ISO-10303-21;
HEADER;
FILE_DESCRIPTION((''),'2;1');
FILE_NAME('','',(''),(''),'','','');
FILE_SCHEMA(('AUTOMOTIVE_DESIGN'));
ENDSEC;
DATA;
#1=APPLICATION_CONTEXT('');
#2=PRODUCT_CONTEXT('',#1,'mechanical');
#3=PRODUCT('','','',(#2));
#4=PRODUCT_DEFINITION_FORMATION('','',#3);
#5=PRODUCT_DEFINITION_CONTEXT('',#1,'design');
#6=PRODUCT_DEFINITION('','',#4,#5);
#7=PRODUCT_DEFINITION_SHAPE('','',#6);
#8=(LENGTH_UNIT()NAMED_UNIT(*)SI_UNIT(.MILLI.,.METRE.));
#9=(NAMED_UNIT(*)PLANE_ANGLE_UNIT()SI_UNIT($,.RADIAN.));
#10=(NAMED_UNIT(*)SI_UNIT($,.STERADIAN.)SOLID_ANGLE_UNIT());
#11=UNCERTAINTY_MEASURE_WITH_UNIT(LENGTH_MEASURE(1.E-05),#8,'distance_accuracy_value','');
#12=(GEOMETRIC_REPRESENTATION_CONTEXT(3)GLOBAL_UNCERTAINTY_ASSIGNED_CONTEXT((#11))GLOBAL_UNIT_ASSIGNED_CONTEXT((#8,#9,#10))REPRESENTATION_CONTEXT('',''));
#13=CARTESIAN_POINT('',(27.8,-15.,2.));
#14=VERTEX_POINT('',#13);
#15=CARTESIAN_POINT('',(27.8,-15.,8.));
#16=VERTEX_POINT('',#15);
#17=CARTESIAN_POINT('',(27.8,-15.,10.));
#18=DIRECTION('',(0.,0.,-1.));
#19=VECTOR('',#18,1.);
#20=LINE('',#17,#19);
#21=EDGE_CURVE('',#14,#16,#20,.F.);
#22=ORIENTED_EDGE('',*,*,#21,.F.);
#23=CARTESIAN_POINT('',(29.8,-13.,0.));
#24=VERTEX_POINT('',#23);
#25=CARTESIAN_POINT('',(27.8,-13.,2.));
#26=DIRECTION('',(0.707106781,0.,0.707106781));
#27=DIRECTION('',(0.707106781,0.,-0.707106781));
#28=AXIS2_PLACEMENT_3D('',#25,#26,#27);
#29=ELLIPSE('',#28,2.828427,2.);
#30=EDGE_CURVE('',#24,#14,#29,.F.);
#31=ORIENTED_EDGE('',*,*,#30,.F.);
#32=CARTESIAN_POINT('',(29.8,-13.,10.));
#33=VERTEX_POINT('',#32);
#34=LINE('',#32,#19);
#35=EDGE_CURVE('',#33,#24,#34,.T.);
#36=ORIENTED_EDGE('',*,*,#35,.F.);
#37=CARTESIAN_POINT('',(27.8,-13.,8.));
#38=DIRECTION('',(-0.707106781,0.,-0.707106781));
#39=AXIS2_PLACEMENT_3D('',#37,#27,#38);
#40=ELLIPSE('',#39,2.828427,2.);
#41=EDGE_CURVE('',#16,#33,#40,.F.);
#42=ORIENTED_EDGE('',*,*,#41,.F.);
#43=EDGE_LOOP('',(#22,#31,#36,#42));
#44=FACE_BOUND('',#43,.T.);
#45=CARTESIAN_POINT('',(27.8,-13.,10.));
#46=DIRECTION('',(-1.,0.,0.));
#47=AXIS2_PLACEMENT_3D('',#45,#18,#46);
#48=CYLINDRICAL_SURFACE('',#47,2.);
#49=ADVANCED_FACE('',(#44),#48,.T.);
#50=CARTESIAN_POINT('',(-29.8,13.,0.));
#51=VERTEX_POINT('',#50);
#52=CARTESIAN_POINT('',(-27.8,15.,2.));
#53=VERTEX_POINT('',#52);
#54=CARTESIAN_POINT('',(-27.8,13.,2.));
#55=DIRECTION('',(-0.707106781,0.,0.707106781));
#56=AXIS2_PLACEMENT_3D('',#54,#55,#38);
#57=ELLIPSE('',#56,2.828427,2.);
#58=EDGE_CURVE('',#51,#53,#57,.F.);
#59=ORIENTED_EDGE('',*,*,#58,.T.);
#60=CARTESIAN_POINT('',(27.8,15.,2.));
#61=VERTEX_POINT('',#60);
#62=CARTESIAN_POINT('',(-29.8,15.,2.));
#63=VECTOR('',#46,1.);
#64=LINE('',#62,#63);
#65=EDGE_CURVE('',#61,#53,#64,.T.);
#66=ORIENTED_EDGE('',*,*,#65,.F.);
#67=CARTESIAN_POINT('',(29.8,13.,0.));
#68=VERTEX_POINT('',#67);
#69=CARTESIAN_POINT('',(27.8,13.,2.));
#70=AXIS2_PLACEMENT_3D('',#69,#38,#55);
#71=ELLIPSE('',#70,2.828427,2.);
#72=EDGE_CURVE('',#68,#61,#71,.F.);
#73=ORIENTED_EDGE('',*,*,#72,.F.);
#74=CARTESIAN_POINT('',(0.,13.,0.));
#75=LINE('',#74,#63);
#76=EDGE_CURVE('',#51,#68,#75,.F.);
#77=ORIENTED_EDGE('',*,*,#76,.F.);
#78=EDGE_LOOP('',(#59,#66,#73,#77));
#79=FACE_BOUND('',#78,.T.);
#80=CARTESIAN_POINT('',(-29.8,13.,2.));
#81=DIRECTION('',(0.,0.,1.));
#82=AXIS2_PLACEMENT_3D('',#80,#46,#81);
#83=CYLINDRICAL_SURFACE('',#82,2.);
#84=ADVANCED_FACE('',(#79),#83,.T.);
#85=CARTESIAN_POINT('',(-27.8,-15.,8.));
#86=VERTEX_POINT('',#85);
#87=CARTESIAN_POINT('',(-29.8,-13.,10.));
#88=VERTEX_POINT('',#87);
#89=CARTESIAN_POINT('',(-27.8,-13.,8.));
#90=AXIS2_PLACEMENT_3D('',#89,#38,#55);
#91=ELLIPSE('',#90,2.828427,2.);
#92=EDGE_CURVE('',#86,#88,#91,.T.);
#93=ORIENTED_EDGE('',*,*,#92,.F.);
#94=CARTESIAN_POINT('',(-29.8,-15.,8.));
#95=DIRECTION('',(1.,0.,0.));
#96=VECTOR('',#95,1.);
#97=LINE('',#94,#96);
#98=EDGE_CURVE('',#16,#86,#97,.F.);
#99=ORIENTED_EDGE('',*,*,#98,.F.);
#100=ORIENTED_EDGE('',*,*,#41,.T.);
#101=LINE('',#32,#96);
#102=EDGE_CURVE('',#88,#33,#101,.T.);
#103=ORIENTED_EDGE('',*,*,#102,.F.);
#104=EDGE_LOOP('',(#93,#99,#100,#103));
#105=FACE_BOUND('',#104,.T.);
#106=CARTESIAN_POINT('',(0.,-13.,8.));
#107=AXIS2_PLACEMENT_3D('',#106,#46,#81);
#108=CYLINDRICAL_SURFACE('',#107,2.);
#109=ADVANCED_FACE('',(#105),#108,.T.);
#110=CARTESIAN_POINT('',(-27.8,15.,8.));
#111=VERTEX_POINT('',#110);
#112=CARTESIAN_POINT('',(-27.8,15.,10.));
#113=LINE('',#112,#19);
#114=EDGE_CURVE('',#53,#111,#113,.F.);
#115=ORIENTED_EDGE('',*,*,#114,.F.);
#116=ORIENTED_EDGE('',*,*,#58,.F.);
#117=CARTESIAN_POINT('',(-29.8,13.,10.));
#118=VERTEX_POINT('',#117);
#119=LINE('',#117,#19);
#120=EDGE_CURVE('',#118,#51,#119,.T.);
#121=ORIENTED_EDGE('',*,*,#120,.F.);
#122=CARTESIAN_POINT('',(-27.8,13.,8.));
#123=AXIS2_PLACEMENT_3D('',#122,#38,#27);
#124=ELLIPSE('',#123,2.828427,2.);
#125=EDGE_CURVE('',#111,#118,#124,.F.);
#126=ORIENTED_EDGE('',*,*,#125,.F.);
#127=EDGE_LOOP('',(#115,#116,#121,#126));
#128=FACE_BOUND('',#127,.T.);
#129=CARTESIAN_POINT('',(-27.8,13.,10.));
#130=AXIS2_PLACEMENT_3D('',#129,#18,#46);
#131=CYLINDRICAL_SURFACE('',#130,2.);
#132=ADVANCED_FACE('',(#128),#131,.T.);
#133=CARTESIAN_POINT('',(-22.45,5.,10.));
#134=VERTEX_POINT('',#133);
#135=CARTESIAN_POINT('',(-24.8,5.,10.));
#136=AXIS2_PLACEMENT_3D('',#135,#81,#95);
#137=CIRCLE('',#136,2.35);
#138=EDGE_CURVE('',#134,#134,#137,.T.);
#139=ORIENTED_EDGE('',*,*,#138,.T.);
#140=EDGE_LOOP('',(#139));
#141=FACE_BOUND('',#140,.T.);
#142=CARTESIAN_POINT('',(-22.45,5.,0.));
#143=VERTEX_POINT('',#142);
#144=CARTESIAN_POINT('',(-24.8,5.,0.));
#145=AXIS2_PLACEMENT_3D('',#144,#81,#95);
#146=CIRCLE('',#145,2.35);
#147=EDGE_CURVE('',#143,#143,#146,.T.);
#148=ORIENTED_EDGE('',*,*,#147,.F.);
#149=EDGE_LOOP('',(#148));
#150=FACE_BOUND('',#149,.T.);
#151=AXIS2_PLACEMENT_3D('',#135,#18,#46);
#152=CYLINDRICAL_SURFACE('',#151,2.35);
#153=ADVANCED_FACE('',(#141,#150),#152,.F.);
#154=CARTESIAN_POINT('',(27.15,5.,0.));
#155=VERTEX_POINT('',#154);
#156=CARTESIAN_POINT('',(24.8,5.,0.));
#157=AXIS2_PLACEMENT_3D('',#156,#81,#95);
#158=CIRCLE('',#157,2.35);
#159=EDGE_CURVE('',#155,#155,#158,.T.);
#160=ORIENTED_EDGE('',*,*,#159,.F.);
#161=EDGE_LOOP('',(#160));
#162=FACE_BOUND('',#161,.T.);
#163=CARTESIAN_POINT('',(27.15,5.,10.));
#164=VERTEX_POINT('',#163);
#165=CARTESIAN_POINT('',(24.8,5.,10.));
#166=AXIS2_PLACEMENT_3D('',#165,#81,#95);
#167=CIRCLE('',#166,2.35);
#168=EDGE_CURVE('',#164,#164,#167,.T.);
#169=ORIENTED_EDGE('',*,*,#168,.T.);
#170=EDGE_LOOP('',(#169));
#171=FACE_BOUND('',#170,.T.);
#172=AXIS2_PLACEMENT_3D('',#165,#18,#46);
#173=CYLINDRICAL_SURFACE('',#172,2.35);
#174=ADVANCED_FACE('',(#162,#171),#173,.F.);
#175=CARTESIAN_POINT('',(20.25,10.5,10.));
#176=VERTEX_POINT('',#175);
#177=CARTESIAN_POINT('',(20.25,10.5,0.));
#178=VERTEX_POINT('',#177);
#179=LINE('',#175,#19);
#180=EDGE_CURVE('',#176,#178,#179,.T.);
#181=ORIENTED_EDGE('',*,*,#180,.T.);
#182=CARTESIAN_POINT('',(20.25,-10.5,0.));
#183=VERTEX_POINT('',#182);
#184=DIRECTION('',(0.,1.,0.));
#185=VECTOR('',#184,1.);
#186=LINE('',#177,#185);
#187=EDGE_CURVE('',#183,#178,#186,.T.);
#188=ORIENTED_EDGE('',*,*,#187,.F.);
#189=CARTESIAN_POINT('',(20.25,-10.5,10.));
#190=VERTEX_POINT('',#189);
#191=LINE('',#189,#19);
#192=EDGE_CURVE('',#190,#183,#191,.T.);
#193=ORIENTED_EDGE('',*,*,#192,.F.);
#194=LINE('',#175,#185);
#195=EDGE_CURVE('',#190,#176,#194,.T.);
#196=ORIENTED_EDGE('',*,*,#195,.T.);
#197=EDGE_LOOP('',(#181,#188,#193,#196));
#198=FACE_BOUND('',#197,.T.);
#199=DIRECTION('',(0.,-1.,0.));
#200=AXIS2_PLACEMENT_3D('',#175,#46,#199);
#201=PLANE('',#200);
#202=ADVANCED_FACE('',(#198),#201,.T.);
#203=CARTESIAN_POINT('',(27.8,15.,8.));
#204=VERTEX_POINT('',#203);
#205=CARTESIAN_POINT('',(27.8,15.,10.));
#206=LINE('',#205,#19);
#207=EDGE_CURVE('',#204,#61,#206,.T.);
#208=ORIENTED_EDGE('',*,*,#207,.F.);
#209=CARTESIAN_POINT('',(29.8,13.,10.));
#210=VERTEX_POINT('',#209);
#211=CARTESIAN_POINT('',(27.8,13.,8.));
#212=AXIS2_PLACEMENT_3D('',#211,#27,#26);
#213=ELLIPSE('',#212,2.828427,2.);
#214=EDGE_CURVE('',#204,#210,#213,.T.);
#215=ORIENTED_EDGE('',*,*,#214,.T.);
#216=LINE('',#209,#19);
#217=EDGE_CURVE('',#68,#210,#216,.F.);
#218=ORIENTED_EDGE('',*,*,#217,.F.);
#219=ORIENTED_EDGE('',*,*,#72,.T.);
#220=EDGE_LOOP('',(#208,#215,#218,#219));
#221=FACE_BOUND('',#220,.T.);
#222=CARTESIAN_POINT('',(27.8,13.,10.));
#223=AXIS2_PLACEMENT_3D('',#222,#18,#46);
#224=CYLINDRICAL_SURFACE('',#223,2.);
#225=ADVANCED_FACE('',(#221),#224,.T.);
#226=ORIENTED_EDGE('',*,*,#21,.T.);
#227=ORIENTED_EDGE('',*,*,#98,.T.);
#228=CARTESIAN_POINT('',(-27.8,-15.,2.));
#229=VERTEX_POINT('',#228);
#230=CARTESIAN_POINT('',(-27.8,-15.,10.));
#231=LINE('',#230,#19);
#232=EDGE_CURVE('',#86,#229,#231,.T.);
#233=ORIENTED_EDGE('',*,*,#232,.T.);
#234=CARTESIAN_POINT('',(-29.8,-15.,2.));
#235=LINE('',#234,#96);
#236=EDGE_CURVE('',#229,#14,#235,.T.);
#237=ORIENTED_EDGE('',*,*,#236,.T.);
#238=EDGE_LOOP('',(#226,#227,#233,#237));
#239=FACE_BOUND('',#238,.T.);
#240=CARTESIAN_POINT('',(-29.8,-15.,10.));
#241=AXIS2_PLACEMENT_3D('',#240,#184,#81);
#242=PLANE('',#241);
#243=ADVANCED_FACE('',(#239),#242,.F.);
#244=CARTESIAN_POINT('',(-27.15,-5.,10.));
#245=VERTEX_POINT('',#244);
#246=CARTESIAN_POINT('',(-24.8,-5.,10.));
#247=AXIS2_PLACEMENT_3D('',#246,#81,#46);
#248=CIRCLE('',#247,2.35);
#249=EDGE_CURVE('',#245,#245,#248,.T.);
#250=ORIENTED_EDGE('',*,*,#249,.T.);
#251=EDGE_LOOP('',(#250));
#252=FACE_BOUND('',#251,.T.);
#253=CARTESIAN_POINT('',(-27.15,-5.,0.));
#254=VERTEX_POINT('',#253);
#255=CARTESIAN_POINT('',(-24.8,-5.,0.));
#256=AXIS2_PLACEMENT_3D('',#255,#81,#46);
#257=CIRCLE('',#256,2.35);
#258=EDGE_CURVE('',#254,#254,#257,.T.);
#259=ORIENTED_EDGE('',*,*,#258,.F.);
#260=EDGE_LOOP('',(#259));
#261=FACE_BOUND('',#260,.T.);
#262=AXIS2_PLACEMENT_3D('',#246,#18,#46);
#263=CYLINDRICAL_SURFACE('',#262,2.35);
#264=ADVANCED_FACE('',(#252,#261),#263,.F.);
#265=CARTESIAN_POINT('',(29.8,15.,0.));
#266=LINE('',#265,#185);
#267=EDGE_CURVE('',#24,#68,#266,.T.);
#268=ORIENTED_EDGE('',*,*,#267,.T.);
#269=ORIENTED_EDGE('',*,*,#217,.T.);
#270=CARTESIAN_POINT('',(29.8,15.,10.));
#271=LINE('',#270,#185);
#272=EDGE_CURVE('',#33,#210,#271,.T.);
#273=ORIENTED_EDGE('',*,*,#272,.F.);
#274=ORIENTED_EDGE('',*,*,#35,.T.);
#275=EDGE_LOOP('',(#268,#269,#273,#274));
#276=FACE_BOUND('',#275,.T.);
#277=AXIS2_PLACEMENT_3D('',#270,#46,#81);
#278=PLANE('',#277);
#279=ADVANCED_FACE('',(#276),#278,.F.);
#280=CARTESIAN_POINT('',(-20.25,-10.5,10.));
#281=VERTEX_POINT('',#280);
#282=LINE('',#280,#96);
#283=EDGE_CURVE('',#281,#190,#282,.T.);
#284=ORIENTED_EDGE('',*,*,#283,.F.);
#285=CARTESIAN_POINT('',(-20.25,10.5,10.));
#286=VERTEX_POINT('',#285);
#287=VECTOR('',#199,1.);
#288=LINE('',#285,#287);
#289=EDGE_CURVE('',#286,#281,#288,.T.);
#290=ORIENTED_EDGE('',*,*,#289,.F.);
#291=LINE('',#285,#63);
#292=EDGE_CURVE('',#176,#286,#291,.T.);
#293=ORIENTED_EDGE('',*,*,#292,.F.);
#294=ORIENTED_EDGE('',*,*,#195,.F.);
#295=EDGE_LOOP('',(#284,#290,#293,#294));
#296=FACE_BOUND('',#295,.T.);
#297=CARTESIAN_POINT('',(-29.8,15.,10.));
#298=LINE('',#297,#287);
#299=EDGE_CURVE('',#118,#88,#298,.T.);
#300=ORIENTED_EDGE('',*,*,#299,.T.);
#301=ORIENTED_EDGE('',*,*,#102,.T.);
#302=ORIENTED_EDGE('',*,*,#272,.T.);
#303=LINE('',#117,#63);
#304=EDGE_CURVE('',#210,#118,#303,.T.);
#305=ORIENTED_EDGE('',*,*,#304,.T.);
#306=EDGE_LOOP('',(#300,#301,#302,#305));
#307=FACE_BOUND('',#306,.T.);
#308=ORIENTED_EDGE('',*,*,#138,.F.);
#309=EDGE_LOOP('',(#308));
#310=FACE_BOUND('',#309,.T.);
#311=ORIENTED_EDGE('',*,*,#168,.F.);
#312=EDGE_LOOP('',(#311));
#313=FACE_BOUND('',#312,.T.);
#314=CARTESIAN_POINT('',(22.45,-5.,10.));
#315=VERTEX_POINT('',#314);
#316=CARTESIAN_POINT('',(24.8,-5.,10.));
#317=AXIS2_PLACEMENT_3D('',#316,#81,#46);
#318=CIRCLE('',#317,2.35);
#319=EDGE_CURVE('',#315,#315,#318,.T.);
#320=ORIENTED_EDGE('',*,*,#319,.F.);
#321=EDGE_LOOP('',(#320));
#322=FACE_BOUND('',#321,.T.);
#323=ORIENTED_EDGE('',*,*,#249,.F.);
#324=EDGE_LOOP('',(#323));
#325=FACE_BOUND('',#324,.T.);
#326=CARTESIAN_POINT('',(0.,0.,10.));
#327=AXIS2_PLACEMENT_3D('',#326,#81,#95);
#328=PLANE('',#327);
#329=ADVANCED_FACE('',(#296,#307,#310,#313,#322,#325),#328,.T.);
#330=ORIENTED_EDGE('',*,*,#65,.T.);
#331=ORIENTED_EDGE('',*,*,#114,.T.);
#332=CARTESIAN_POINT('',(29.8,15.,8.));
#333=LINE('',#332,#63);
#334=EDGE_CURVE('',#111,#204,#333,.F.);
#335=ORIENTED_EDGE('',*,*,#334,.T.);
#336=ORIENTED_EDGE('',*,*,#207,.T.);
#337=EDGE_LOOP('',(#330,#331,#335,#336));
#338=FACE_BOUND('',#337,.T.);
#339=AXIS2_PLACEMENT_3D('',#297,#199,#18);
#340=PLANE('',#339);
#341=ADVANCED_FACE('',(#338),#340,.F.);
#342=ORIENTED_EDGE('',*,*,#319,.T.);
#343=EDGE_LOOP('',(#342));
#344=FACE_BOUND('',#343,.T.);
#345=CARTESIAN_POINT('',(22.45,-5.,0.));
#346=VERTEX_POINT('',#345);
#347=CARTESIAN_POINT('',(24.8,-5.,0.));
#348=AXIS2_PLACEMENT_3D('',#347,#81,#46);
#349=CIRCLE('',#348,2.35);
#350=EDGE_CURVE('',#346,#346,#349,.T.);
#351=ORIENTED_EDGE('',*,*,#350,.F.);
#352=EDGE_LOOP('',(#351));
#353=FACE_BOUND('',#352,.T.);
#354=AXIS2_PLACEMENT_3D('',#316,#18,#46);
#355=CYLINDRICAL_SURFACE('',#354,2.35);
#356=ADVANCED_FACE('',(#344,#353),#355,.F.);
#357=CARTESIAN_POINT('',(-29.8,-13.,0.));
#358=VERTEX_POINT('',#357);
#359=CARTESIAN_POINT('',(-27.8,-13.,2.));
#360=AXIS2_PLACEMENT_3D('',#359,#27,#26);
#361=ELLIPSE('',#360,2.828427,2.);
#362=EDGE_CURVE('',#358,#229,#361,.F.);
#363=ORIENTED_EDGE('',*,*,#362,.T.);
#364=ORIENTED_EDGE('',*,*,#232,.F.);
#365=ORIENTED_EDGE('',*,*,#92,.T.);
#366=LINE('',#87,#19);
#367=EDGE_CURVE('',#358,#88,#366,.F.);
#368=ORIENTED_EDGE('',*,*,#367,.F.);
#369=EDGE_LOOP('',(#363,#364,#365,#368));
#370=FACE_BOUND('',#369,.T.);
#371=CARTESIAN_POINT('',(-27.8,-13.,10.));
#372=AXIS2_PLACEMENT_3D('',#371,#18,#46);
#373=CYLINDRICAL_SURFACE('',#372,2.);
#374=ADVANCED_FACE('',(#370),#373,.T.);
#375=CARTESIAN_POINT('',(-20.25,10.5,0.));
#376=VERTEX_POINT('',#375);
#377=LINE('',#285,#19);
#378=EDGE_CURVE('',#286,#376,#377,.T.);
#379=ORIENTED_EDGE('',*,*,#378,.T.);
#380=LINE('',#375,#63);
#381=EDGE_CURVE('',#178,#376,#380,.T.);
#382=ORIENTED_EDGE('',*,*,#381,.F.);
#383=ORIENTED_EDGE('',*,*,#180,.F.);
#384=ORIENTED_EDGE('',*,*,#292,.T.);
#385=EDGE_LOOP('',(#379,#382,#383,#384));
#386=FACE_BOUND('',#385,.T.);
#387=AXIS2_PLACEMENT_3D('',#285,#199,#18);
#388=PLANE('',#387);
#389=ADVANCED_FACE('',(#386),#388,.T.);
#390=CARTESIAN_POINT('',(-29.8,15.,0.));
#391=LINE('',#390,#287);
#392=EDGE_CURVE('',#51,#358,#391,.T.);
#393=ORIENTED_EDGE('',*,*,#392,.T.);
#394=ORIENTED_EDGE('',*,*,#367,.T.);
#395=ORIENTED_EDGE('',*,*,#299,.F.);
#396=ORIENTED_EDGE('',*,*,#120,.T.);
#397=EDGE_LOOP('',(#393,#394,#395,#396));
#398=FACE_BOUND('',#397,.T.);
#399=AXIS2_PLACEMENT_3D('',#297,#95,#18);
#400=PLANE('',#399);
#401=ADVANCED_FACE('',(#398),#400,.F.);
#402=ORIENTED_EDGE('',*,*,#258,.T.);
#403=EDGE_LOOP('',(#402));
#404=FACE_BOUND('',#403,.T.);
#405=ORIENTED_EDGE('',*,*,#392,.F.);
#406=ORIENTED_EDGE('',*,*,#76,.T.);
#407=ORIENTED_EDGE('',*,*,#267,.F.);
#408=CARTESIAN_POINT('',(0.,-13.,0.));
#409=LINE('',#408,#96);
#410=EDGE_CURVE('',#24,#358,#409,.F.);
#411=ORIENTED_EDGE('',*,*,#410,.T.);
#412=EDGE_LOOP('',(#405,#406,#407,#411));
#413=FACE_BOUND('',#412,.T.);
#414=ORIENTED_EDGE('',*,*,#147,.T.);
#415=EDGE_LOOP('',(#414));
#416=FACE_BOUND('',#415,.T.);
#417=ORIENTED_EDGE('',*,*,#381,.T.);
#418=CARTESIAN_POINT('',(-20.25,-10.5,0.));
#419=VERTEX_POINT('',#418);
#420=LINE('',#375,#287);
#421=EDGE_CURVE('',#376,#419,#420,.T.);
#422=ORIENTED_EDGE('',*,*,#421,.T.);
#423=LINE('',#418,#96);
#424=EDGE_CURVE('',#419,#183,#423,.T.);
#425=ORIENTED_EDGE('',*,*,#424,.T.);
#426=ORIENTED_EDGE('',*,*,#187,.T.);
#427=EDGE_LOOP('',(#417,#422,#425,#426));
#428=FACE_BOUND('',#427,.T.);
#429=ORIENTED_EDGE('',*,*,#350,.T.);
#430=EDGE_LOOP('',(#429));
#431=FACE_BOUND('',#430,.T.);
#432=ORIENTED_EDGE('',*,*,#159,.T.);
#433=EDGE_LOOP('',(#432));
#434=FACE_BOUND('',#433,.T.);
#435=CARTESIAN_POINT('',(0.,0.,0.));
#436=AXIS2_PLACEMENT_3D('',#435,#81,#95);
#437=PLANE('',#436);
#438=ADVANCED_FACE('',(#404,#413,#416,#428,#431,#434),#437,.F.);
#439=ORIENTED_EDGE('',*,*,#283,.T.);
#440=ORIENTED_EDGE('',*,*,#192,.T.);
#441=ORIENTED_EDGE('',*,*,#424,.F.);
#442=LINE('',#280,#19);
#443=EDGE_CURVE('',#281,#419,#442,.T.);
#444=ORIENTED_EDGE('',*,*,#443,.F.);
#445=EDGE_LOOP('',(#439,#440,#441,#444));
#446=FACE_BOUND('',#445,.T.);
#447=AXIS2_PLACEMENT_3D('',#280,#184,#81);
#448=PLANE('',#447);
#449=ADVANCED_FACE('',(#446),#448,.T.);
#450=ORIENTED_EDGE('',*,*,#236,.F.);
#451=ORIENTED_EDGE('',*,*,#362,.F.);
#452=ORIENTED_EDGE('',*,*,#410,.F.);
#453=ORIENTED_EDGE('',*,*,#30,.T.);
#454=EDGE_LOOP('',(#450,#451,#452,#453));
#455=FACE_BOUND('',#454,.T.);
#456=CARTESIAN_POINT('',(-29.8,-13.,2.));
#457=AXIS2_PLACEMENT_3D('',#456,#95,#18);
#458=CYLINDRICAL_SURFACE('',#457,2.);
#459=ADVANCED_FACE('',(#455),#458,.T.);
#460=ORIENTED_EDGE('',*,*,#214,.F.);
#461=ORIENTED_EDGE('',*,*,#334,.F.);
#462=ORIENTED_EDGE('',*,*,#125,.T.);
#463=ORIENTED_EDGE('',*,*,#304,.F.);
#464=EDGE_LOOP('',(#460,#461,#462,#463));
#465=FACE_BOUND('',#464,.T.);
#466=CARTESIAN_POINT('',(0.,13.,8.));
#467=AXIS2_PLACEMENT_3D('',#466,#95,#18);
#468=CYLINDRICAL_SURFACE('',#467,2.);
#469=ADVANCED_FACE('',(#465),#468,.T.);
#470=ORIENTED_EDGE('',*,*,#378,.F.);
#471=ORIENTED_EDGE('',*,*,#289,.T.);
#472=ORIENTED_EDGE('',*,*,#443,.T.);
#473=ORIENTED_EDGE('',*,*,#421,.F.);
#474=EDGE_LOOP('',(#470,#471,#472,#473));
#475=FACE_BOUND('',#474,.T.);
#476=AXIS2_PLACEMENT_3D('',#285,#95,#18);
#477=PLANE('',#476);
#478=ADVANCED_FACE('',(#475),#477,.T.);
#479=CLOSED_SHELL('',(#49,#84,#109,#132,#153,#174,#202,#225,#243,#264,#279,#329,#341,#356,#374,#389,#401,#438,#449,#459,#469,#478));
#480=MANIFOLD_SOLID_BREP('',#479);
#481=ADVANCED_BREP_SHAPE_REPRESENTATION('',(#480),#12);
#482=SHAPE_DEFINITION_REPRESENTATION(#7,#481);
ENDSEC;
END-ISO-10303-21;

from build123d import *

# Parameters (mm, degrees)
SKETCH1_W           = 59.6
SKETCH1_H           = 30
SKETCH1_R           = 2.35
SKETCH1_W_2         = 40.5
SKETCH1_H_2         = 21
BOSS_EXTRUDE1_DEPTH = 10
FILLET1_R           = 2


with BuildPart() as part:
    # Sketch1 → Boss-Extrude1 (new body)
    with BuildSketch(Plane.XY):
        Rectangle(SKETCH1_W, SKETCH1_H)
        with Locations((-24.8, 5)):
            Circle(SKETCH1_R, mode=Mode.SUBTRACT)
        with Locations((24.8, 5)):
            Circle(SKETCH1_R, mode=Mode.SUBTRACT)
        with Locations(Location((24.8, -5, 0), (0, 0, 180))):
            Circle(SKETCH1_R, mode=Mode.SUBTRACT)
        with Locations(Location((-24.8, -5, 0), (0, 0, 180))):
            Circle(SKETCH1_R, mode=Mode.SUBTRACT)
        Rectangle(SKETCH1_W_2, SKETCH1_H_2, mode=Mode.SUBTRACT)
    extrude(amount=BOSS_EXTRUDE1_DEPTH)

    # Fillet1
    fillet1_edges = [part.edges().sort_by_distance(p)[0] for p in [
        (0, 15, 10),
        (0, 15, 0),
        (0, -15, 0),
        (-29.8, 15, 5),
        (29.8, 15, 5),
        (29.8, -15, 5),
        (-29.8, -15, 5),
        (0, -15, 10),
    ]]
    fillet(fillet1_edges, radius=FILLET1_R)


solid = part.part
